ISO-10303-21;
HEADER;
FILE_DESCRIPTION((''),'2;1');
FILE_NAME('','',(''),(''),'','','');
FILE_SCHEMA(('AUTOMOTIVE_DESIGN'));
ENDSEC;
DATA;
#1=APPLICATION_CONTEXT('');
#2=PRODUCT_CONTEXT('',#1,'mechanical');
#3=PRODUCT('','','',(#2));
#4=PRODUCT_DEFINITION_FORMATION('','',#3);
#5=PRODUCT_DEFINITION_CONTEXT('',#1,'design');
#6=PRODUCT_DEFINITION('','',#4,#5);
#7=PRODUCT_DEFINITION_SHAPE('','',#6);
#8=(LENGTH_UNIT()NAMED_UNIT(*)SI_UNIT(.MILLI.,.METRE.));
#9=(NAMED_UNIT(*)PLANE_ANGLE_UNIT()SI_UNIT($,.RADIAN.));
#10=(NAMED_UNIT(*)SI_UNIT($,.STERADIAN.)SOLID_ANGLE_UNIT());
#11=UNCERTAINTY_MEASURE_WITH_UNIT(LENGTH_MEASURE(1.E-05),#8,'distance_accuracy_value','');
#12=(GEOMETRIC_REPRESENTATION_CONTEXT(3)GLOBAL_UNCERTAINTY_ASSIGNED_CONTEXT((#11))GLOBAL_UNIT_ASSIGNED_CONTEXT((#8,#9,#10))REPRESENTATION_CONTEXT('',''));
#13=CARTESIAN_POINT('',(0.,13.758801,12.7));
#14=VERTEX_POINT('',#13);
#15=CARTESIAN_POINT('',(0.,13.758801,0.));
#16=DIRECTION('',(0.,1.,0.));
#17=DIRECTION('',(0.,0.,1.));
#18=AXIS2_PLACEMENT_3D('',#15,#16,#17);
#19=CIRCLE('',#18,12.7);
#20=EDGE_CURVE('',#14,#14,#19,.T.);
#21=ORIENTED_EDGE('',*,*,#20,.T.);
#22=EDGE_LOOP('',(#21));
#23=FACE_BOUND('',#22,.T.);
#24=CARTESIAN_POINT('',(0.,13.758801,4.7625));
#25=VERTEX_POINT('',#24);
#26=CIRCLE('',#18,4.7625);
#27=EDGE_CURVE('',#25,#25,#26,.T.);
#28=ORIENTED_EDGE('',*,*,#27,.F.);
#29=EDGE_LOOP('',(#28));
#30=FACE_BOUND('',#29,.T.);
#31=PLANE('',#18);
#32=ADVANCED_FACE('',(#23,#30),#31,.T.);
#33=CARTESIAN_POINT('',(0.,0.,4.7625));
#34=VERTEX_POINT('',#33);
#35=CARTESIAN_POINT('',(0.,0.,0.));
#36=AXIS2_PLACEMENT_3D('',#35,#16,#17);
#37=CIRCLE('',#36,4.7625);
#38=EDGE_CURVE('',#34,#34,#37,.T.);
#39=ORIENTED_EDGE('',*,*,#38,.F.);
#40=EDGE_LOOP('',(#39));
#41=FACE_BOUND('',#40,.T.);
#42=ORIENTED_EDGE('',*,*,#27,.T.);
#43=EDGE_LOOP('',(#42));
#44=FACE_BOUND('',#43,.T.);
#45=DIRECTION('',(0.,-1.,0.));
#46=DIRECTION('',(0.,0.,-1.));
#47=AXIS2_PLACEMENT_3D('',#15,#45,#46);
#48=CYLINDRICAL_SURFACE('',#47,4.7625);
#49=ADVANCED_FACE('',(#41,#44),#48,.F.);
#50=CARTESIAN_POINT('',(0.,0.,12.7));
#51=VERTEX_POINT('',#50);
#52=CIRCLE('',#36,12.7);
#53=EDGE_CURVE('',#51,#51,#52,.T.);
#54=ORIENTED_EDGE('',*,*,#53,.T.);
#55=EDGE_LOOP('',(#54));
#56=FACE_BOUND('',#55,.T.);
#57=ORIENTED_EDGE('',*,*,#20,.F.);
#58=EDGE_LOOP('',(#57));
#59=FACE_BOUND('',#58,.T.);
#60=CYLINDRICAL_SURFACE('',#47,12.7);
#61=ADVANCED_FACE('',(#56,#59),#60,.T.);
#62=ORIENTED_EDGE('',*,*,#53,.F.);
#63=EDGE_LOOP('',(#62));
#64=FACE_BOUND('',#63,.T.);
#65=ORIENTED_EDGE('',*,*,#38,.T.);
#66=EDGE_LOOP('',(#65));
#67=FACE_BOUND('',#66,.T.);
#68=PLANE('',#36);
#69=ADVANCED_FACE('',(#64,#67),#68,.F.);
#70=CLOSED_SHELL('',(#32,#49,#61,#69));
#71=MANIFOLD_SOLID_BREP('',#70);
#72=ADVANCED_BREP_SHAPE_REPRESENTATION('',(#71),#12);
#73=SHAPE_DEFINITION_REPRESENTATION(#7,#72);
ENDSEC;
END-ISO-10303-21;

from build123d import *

# Parameters (mm, degrees)
SKETCH1_R           = 12.7
SKETCH1_R_2         = 4.7625
BOSS_EXTRUDE1_DEPTH = 13.758801286


with BuildPart() as part:
    # Sketch1 → Boss-Extrude1 (new body)
    with BuildSketch(Plane(origin=(0, 0, 0), x_dir=(1, 0, 0), z_dir=(0, 1, 0))):
        Circle(SKETCH1_R)
        Circle(SKETCH1_R_2, mode=Mode.SUBTRACT)
    extrude(amount=BOSS_EXTRUDE1_DEPTH)


solid = part.part
